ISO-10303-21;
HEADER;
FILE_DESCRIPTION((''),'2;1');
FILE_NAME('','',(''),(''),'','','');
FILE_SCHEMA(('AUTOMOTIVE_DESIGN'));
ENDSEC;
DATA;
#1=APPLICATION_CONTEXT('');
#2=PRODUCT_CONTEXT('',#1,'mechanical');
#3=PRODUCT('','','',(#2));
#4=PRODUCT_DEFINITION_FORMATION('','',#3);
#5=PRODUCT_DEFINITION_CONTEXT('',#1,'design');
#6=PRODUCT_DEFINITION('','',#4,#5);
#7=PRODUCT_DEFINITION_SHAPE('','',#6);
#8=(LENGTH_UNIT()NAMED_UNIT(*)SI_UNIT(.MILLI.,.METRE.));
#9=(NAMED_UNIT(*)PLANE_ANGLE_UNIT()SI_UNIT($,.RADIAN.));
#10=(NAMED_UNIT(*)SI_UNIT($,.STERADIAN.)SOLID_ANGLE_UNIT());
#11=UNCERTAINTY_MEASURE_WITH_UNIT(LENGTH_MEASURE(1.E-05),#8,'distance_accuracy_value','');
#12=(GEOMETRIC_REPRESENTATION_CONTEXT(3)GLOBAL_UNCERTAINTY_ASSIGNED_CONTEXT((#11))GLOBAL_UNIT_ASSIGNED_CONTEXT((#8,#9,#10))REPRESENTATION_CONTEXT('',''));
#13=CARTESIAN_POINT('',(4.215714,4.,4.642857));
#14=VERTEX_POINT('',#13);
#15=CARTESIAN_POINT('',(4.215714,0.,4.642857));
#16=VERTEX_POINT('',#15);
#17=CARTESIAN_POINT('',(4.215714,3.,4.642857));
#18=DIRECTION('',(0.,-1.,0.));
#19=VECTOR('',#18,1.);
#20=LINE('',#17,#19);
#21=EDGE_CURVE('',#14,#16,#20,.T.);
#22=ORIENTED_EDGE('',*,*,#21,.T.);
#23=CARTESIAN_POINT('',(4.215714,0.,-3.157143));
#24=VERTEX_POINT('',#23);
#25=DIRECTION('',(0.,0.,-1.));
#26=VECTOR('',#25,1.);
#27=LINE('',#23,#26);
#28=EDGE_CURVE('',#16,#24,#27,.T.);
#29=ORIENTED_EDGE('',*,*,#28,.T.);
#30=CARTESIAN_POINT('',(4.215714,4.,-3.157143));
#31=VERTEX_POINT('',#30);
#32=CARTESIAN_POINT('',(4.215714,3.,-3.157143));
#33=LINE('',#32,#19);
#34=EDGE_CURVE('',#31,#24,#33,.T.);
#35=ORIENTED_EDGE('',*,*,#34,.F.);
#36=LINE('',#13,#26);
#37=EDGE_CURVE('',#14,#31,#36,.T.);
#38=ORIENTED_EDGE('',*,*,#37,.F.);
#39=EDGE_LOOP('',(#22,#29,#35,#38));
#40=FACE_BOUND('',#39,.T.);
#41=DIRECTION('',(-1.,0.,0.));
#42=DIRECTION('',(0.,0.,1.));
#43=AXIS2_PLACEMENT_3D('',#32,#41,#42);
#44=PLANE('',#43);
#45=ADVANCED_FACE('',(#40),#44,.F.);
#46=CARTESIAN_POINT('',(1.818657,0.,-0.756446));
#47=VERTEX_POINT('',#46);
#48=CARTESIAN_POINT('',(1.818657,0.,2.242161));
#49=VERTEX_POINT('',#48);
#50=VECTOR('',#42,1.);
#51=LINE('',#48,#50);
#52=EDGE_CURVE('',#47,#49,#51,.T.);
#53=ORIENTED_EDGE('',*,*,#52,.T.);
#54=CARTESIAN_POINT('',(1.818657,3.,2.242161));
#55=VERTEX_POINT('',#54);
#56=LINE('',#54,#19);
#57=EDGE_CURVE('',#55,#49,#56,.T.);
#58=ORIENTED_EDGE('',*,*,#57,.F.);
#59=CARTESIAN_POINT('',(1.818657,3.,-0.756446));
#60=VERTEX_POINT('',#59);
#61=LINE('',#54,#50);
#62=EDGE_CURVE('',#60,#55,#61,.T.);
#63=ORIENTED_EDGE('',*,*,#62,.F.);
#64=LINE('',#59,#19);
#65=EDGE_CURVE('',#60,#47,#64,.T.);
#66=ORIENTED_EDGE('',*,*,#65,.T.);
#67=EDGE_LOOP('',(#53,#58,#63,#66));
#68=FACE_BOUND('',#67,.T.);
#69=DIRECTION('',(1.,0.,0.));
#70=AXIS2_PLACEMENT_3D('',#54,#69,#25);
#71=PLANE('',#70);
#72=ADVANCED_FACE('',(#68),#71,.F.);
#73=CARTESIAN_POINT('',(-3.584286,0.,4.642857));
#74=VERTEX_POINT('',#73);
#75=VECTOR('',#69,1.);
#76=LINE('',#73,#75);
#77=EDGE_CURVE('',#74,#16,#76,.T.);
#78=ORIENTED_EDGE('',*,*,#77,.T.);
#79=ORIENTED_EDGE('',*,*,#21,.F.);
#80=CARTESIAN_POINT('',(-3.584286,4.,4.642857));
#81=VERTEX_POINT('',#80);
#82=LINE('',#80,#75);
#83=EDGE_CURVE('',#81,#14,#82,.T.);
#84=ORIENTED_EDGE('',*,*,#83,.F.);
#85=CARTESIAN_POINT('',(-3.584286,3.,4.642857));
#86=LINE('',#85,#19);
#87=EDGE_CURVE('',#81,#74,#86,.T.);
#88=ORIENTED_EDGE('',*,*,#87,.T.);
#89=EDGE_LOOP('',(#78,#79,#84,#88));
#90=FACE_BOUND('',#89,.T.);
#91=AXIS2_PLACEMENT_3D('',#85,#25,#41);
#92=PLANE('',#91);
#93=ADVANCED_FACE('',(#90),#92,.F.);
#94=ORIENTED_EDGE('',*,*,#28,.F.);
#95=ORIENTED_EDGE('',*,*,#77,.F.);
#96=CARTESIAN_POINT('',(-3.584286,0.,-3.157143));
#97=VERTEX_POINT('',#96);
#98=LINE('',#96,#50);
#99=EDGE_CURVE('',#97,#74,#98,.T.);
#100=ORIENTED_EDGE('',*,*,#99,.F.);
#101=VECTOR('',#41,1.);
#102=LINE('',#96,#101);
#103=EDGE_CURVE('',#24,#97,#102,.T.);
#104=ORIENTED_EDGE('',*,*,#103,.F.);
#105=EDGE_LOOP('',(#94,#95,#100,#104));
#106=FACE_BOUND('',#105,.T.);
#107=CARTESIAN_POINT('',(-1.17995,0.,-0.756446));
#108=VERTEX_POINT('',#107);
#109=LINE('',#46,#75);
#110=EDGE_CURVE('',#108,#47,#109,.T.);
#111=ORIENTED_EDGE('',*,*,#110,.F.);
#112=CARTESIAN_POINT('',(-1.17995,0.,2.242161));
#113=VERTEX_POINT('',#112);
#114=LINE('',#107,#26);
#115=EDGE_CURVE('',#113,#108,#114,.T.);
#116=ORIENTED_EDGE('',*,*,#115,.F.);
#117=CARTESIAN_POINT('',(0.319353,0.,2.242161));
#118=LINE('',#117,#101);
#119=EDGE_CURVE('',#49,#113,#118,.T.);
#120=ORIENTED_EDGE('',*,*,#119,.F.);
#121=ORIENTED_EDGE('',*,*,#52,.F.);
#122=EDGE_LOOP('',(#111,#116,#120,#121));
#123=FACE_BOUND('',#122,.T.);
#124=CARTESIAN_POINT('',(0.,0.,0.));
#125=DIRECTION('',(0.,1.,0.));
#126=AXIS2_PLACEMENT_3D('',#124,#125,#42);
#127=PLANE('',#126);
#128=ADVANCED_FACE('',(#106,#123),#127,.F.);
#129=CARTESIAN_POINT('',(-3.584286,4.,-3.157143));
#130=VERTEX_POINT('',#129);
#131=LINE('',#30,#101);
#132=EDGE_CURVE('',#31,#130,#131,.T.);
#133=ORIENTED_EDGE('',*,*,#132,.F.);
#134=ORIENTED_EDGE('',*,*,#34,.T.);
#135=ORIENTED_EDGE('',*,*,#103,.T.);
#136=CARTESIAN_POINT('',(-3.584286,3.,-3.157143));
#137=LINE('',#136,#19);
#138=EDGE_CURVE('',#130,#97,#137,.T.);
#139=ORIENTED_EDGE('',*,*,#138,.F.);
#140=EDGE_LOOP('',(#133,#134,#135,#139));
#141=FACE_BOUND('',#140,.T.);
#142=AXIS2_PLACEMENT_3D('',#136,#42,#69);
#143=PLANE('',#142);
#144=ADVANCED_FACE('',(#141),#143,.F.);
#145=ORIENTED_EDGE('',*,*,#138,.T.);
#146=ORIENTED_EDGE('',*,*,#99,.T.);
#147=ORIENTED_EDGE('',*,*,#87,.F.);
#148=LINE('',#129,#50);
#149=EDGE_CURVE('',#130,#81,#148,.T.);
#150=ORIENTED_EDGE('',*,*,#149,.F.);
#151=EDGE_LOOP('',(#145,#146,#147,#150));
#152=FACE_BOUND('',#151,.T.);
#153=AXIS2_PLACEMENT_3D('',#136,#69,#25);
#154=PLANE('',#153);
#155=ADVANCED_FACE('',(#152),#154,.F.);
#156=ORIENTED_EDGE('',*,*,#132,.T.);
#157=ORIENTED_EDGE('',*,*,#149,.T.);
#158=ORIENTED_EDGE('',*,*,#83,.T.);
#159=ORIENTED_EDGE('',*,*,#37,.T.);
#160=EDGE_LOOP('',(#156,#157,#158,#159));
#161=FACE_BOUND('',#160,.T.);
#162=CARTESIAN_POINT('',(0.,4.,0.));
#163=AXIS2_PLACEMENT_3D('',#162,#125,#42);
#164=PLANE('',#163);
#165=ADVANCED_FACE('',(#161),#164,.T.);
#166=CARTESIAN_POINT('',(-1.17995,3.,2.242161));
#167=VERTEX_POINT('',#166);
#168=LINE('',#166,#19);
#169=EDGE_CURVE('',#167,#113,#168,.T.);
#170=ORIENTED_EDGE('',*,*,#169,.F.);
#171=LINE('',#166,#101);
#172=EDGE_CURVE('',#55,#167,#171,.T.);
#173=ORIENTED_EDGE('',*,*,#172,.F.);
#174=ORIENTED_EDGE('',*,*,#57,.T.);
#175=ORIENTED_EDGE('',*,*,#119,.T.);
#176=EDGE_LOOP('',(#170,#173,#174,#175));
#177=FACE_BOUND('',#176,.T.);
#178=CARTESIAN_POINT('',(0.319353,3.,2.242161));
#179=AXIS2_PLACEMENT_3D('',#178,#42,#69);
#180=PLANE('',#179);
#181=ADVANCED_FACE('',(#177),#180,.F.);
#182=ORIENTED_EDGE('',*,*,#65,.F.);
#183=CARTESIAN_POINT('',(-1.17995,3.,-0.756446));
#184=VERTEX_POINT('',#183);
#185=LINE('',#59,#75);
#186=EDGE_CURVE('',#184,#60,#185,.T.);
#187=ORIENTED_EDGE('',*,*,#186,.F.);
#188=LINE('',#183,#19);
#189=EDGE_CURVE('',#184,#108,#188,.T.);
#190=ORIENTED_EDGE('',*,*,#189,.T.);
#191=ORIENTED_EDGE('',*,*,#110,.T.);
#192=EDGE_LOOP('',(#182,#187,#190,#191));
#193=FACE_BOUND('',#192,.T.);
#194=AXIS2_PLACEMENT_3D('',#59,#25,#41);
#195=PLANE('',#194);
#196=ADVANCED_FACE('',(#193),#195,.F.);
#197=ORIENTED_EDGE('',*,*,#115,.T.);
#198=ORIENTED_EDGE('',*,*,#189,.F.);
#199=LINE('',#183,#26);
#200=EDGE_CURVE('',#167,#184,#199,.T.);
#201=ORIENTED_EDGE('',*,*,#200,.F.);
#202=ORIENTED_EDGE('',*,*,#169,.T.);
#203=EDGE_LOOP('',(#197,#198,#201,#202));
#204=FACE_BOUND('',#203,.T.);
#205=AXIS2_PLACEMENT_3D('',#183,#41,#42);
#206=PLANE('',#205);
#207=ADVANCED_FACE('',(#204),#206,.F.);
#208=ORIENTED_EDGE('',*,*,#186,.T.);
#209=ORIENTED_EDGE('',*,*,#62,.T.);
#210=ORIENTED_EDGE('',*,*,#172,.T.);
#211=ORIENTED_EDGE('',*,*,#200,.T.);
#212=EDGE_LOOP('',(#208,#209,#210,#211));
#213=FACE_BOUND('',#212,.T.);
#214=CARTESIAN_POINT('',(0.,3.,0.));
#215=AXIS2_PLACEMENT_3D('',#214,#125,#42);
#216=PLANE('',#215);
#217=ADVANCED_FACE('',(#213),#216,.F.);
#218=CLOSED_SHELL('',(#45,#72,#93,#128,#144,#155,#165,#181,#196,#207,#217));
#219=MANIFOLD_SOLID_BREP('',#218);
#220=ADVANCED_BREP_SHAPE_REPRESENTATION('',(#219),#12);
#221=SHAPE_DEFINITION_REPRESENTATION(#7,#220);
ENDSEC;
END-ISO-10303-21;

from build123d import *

# Parameters (mm, degrees)
SKETCH1_W           = 7.8
SKETCH1_H           = 7.8
BOSS_EXTRUDE1_DEPTH = 3
SKETCH3_W           = 7.8
SKETCH3_H           = 7.8
BOSS_EXTRUDE2_DEPTH = 1
CUT_EXTRUDE1_DEPTH  = 3


with BuildPart() as part:
    # Sketch1 → Boss-Extrude1 (new body)
    with BuildSketch(Plane(origin=(0, 0, 0), x_dir=(1, 0, 0), z_dir=(0, 1, 0))):
        with Locations((0.315714286, -0.742857143)):
            Rectangle(SKETCH1_W, SKETCH1_H)
    extrude(amount=BOSS_EXTRUDE1_DEPTH)

    # Sketch3 → Boss-Extrude2 (add)
    with BuildSketch(Plane(origin=(0, 3, 0), x_dir=(1, 0, 0), z_dir=(0, 1, 0))):
        with Locations((0.315714286, -0.742857143)):
            Rectangle(SKETCH3_W, SKETCH3_H)
    extrude(amount=BOSS_EXTRUDE2_DEPTH)

    # Sketch4 → Cut-Extrude1 (cut)
    with BuildSketch(Plane.XZ):
        Polygon((0.319353372, 2.24216051), (1.818656739, 2.24216051), (1.818656739, -0.756446224), (-1.179949996, -0.756446224), (-1.179949996, 2.24216051), align=None)
    extrude(amount=-CUT_EXTRUDE1_DEPTH, mode=Mode.SUBTRACT)


solid = part.part
